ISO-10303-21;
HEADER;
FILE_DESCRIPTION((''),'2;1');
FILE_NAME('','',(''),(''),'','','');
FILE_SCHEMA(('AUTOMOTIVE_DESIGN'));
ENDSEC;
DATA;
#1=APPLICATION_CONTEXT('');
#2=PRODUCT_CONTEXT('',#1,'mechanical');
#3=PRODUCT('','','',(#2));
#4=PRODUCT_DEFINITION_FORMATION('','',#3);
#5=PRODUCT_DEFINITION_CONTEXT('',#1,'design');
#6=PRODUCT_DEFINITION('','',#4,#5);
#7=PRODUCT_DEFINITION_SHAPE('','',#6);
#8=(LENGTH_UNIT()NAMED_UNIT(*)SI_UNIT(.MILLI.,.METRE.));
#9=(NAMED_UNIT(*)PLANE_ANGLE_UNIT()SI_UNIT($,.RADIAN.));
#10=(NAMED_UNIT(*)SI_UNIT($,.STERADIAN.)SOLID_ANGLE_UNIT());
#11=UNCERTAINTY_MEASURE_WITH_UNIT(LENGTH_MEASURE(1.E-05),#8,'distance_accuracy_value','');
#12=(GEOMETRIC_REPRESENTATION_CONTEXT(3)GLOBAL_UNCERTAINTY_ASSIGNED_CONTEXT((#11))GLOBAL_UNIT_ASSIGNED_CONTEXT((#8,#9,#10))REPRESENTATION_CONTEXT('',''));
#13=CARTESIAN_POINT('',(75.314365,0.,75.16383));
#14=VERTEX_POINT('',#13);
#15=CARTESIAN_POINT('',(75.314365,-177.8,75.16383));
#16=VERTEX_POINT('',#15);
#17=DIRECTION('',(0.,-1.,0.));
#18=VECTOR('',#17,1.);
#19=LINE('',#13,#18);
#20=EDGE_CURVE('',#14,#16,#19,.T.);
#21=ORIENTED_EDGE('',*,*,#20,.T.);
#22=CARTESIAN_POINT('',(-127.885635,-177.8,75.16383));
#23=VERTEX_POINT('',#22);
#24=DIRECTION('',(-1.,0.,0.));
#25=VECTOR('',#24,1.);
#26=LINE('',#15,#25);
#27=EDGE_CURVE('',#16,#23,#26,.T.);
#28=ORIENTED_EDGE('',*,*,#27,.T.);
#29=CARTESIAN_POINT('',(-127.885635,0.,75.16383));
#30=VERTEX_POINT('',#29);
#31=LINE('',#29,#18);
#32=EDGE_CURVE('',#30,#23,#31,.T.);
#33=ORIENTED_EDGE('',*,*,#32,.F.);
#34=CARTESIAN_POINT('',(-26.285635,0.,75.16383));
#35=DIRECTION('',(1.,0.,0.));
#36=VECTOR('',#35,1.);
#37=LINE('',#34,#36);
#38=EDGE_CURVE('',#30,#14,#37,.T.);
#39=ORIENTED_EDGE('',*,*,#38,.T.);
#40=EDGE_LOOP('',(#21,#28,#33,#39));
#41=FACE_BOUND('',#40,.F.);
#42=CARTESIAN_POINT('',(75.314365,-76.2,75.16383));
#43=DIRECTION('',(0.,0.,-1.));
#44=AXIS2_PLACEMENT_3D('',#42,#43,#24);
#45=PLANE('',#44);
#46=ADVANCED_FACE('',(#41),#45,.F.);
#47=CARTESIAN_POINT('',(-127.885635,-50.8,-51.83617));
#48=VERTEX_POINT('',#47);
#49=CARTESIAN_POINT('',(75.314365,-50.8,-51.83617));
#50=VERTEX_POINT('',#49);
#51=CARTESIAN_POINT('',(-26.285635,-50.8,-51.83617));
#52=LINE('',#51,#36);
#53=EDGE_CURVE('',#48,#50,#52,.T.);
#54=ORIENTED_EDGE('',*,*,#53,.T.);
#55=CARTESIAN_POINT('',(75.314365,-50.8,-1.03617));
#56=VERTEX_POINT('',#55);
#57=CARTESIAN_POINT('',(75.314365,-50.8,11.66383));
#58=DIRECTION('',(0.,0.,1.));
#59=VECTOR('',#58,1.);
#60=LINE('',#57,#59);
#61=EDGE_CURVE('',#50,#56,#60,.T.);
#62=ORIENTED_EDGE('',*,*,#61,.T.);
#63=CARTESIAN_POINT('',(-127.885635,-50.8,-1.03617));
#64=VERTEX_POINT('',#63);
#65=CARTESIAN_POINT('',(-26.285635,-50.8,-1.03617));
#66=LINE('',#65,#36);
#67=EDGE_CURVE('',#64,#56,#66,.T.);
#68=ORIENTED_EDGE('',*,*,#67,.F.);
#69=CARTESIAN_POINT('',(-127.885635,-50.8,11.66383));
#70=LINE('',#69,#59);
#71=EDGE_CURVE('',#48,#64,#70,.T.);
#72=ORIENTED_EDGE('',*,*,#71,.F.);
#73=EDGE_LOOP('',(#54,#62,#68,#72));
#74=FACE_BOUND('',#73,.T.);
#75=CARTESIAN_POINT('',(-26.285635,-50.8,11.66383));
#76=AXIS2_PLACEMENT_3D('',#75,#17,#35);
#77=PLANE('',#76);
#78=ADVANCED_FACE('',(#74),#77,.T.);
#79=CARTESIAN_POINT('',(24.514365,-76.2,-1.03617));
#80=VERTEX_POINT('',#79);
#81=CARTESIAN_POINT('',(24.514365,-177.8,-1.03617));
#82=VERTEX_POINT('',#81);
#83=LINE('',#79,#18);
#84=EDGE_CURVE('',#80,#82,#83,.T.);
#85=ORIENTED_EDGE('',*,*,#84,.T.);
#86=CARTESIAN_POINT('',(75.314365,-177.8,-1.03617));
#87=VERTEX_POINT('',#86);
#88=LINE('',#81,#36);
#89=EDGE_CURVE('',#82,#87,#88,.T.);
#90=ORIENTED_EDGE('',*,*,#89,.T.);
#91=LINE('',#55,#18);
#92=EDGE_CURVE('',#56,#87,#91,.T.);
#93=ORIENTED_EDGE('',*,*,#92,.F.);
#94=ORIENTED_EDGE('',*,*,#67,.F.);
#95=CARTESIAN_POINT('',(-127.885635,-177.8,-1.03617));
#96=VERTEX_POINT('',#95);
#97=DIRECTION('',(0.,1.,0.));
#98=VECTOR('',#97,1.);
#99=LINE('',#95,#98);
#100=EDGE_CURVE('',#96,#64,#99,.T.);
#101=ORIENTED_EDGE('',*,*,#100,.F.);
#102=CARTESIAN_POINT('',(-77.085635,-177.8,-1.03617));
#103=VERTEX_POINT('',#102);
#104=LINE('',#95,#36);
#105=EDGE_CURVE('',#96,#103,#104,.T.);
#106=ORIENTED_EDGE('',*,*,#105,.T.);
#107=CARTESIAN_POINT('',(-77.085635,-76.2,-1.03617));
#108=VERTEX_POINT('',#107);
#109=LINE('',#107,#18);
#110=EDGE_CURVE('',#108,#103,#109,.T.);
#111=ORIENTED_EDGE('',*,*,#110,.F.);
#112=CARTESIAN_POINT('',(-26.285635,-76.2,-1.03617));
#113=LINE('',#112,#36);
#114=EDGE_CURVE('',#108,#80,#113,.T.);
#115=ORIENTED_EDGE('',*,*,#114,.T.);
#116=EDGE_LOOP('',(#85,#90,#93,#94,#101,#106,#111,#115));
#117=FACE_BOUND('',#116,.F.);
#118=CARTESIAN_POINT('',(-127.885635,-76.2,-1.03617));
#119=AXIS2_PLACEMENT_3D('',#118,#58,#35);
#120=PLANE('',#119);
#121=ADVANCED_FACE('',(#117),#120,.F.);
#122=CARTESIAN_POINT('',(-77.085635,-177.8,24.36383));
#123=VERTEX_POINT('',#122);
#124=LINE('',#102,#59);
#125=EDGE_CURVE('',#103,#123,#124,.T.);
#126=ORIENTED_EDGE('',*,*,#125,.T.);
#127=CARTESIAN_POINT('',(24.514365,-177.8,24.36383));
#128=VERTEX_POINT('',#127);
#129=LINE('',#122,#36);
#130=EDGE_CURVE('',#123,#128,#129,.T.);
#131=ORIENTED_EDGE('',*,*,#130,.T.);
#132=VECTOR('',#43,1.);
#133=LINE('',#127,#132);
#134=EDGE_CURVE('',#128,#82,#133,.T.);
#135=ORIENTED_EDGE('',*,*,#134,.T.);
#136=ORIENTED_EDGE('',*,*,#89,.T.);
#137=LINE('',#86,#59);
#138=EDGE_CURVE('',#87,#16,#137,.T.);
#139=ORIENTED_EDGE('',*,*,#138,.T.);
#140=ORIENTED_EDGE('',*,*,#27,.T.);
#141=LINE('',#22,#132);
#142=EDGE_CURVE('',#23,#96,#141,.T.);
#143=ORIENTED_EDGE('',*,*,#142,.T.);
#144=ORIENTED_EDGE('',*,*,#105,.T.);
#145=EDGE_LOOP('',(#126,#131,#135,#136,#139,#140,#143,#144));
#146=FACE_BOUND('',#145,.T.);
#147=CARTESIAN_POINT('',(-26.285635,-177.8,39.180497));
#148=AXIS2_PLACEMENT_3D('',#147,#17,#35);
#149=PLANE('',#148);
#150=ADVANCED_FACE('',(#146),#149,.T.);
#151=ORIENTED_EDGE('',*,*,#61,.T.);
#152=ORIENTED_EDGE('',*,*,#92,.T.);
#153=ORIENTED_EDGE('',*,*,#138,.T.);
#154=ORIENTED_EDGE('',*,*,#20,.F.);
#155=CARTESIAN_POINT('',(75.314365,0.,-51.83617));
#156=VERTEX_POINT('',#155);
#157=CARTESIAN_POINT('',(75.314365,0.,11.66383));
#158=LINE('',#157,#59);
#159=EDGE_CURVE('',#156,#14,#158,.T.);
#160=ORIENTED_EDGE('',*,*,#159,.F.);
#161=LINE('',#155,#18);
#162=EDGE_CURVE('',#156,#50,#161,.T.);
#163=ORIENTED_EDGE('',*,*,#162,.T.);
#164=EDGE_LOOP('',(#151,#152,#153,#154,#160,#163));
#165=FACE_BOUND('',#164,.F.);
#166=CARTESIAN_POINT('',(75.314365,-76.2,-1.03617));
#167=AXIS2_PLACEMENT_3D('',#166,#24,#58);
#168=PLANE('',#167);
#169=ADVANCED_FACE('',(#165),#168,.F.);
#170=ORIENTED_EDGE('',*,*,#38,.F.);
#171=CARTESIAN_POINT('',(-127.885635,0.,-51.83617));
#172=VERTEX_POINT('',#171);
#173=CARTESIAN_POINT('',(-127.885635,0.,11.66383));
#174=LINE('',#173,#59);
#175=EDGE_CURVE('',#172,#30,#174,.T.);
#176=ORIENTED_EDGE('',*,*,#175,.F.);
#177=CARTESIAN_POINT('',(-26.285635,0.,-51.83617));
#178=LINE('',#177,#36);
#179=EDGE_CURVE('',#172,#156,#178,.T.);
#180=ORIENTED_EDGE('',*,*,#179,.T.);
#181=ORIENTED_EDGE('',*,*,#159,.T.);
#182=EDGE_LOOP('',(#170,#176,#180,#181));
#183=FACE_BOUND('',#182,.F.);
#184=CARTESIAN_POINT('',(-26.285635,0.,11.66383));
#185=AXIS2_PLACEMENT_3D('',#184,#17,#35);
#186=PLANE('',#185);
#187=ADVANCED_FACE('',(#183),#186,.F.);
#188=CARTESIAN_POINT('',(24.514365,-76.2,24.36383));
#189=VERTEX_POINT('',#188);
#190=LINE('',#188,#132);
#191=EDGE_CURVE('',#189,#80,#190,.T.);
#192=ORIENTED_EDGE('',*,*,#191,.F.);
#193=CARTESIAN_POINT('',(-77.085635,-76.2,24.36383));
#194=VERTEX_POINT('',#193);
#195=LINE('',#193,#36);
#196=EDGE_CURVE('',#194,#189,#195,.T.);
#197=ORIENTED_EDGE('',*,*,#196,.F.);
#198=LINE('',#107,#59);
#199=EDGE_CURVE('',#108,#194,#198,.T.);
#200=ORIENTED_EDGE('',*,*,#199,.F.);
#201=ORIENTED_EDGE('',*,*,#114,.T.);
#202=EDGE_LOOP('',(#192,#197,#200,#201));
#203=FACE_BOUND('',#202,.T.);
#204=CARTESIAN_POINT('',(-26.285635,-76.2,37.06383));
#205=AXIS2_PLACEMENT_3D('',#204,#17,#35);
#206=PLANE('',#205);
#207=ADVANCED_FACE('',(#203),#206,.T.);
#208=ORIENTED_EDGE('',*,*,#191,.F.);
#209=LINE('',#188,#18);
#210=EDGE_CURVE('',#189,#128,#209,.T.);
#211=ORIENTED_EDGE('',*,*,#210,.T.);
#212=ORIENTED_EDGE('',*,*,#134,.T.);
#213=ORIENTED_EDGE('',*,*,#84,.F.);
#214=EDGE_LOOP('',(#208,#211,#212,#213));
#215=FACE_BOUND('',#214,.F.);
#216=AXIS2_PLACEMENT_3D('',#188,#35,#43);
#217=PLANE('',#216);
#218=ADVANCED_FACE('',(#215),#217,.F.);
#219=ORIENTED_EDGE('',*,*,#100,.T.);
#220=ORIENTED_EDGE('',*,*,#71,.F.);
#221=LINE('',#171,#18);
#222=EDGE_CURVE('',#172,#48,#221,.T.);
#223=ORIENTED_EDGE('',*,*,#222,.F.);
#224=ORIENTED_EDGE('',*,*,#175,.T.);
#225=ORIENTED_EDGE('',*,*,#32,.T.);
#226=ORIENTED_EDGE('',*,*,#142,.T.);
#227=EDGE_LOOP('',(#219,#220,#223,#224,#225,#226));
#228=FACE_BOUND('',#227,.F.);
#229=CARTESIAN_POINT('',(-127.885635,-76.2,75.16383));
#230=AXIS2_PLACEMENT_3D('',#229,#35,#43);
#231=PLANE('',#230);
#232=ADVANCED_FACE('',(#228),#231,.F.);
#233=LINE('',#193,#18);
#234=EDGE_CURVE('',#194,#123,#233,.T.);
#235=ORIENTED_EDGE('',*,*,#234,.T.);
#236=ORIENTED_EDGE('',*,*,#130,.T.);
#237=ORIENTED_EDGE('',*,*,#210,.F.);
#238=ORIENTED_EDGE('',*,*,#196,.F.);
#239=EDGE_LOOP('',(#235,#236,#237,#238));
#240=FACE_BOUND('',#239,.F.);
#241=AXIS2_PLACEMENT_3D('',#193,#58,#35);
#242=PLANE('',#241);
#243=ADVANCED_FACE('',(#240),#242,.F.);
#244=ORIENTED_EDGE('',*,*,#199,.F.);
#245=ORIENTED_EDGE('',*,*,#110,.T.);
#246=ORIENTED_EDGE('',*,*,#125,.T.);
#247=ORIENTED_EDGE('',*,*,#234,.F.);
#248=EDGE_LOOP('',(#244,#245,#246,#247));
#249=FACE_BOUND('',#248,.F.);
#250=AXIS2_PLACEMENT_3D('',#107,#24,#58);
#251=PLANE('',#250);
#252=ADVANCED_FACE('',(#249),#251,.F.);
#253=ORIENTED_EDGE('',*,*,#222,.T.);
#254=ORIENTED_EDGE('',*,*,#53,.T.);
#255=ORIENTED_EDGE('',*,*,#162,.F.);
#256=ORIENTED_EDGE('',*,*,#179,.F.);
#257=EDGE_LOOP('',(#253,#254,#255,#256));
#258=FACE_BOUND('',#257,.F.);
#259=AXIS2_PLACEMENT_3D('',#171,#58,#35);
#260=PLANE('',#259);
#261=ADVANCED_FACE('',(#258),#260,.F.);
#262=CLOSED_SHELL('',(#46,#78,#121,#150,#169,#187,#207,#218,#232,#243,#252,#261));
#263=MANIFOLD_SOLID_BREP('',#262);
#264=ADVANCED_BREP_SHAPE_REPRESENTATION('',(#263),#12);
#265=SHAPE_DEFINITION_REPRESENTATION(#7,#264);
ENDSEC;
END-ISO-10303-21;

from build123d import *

# Parameters (mm, degrees)
F0_W     = 203.2
F0_H     = 127
F1_DEPTH = 50.8
F2_W     = 203.2
F2_H     = 76.2
F3_DEPTH = 25.4
F5_DEPTH = 101.6


with BuildPart() as f1:
    # F0 (on Front) → F1 (new body)
    with BuildSketch(Plane.XZ):
        with Locations((-26.285635, 11.66383)):
            Rectangle(F0_W, F0_H)
    extrude(amount=F1_DEPTH)

    # F2 (on face) → F3 (join)
    with BuildSketch(Plane.XZ.offset(50.8)):
        with Locations((-26.285635, 37.06383)):
            Rectangle(F2_W, F2_H)
    extrude(amount=F3_DEPTH)

    # F4 (on face) → F5 (join)
    with BuildSketch(Plane.XZ.offset(76.2)):
        Polygon((-77.085635, 24.36383), (24.514365, 24.36383), (24.514365, -1.03617), (75.314365, -1.03617), (75.314365, 75.16383), (-127.885635, 75.16383), (-127.885635, -1.03617), (-77.085635, -1.03617), align=None)
    extrude(amount=F5_DEPTH)


solid = f1.part
